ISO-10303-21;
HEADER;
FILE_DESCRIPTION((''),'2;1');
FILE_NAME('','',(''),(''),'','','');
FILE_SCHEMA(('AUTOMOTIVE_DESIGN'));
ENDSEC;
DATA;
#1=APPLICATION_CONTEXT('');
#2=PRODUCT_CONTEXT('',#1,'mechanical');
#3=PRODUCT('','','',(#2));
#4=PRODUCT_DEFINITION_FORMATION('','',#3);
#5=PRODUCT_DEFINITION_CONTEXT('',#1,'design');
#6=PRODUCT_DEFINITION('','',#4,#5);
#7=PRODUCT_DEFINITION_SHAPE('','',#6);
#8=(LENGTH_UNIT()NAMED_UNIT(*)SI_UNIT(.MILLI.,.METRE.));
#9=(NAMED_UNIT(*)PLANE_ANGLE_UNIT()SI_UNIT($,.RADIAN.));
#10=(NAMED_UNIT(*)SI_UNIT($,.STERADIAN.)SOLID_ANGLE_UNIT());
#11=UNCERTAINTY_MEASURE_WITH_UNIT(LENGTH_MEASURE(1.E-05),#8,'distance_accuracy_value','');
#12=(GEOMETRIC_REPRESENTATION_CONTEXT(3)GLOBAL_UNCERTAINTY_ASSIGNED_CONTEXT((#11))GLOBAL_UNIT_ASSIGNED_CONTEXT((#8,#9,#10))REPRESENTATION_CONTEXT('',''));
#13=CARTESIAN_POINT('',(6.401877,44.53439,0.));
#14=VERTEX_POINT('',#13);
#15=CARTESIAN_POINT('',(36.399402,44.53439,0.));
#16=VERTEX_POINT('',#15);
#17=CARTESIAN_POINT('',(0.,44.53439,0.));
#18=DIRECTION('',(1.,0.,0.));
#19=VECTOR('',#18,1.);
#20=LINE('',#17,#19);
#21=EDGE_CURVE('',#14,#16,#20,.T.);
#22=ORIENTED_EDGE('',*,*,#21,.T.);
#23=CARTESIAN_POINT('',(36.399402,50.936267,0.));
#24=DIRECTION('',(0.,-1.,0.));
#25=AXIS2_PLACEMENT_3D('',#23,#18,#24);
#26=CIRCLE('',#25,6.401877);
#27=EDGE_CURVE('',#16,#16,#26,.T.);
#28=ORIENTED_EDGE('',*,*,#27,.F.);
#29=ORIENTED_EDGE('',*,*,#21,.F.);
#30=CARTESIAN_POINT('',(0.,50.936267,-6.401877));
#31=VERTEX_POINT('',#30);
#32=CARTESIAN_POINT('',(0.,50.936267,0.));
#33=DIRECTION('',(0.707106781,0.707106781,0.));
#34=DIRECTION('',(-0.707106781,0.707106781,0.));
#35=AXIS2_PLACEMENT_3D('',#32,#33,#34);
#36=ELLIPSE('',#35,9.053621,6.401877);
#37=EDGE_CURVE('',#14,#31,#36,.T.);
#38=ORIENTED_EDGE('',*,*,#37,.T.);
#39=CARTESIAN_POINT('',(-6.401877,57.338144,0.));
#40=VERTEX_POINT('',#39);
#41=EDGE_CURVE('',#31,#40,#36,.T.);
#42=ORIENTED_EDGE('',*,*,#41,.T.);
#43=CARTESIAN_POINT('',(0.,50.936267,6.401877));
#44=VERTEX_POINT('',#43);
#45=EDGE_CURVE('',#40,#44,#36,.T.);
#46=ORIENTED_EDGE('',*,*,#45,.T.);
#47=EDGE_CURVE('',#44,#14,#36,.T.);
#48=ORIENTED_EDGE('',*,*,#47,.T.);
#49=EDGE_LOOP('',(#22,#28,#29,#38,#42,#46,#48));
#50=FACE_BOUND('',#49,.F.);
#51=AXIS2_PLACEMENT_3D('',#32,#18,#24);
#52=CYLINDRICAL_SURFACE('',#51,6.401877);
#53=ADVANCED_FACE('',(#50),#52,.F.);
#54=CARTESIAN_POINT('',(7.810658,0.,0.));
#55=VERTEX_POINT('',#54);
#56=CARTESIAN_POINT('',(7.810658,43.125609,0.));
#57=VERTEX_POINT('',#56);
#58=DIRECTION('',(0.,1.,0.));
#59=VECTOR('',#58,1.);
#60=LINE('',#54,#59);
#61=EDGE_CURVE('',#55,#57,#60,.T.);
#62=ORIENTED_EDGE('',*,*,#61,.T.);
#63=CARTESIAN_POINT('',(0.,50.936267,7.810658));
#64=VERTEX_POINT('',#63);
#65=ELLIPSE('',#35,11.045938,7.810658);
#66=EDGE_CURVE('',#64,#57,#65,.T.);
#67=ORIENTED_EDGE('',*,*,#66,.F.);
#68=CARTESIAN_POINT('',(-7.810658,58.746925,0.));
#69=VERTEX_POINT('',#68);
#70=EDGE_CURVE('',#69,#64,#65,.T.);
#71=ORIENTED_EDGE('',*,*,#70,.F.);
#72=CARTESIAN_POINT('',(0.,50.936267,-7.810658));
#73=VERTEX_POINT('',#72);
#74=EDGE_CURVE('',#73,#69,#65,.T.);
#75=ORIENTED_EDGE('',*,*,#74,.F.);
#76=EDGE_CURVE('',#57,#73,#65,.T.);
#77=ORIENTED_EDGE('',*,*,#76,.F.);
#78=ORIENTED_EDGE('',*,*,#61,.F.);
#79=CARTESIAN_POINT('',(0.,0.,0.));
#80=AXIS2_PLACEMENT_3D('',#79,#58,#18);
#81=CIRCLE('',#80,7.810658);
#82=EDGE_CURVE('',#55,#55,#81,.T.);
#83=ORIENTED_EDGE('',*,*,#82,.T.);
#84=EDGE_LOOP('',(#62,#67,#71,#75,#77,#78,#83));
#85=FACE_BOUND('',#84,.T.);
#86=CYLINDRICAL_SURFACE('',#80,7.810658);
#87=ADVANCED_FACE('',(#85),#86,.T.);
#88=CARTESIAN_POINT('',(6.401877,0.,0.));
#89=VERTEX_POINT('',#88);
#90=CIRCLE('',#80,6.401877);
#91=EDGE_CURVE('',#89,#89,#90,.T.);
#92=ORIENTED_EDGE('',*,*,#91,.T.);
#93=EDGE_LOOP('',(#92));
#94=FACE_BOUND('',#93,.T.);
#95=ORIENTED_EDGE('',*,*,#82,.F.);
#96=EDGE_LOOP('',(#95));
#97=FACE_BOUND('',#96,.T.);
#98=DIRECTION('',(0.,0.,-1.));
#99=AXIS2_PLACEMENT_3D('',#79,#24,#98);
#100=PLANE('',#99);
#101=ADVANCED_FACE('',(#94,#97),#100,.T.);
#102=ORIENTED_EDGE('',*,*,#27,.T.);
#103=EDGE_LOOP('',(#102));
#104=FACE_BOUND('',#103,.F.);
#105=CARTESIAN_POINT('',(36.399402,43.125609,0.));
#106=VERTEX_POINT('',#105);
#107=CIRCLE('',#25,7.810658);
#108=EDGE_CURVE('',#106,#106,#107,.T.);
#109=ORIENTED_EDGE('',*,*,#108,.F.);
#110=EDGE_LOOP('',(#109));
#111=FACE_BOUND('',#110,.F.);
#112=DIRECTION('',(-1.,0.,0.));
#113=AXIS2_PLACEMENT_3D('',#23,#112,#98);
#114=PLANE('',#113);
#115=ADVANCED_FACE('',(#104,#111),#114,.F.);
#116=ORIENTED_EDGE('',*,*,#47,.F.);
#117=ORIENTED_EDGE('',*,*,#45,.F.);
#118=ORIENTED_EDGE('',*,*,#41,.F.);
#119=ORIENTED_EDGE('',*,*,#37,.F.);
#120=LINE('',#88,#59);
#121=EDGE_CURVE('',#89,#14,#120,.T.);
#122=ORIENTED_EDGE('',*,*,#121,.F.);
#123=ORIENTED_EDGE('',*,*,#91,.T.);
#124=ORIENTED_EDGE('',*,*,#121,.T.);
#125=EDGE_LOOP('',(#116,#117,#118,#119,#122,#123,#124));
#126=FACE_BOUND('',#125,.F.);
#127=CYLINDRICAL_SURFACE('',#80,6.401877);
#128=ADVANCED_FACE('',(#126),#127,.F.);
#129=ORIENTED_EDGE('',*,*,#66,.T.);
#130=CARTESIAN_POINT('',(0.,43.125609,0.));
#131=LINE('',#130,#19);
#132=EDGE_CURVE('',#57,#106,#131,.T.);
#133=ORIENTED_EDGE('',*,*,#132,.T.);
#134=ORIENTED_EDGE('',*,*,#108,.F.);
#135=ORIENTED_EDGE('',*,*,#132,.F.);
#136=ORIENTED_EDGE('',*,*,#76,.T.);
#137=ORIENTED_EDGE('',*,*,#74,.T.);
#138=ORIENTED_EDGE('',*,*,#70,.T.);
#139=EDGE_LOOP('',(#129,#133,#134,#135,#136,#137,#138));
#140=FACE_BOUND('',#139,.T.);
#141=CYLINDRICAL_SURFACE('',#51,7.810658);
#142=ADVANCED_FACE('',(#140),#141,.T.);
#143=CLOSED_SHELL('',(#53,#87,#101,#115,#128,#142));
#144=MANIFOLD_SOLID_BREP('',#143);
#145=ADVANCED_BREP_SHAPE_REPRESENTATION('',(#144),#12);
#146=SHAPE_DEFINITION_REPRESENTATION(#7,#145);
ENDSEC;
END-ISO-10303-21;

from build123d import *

# Parameters (mm, degrees)
F1_R   = 7.8106579967
F1_R_2 = 6.401876805


with BuildPart() as f2:
    # F2: sweep along a path in F0
    with BuildLine(Plane.XY) as f2_path:
        Line((0, 0), (0, 50.9362667799))
        Line((0, 50.9362667799), (36.3994017243, 50.9362667799))
    # F1 (on Front) → F2 (sweep)
    with BuildSketch(Plane.XZ):
        Circle(F1_R)
        Circle(F1_R_2, mode=Mode.SUBTRACT)
    sweep(path=f2_path.line, transition=Transition.RIGHT)


solid = f2.part
